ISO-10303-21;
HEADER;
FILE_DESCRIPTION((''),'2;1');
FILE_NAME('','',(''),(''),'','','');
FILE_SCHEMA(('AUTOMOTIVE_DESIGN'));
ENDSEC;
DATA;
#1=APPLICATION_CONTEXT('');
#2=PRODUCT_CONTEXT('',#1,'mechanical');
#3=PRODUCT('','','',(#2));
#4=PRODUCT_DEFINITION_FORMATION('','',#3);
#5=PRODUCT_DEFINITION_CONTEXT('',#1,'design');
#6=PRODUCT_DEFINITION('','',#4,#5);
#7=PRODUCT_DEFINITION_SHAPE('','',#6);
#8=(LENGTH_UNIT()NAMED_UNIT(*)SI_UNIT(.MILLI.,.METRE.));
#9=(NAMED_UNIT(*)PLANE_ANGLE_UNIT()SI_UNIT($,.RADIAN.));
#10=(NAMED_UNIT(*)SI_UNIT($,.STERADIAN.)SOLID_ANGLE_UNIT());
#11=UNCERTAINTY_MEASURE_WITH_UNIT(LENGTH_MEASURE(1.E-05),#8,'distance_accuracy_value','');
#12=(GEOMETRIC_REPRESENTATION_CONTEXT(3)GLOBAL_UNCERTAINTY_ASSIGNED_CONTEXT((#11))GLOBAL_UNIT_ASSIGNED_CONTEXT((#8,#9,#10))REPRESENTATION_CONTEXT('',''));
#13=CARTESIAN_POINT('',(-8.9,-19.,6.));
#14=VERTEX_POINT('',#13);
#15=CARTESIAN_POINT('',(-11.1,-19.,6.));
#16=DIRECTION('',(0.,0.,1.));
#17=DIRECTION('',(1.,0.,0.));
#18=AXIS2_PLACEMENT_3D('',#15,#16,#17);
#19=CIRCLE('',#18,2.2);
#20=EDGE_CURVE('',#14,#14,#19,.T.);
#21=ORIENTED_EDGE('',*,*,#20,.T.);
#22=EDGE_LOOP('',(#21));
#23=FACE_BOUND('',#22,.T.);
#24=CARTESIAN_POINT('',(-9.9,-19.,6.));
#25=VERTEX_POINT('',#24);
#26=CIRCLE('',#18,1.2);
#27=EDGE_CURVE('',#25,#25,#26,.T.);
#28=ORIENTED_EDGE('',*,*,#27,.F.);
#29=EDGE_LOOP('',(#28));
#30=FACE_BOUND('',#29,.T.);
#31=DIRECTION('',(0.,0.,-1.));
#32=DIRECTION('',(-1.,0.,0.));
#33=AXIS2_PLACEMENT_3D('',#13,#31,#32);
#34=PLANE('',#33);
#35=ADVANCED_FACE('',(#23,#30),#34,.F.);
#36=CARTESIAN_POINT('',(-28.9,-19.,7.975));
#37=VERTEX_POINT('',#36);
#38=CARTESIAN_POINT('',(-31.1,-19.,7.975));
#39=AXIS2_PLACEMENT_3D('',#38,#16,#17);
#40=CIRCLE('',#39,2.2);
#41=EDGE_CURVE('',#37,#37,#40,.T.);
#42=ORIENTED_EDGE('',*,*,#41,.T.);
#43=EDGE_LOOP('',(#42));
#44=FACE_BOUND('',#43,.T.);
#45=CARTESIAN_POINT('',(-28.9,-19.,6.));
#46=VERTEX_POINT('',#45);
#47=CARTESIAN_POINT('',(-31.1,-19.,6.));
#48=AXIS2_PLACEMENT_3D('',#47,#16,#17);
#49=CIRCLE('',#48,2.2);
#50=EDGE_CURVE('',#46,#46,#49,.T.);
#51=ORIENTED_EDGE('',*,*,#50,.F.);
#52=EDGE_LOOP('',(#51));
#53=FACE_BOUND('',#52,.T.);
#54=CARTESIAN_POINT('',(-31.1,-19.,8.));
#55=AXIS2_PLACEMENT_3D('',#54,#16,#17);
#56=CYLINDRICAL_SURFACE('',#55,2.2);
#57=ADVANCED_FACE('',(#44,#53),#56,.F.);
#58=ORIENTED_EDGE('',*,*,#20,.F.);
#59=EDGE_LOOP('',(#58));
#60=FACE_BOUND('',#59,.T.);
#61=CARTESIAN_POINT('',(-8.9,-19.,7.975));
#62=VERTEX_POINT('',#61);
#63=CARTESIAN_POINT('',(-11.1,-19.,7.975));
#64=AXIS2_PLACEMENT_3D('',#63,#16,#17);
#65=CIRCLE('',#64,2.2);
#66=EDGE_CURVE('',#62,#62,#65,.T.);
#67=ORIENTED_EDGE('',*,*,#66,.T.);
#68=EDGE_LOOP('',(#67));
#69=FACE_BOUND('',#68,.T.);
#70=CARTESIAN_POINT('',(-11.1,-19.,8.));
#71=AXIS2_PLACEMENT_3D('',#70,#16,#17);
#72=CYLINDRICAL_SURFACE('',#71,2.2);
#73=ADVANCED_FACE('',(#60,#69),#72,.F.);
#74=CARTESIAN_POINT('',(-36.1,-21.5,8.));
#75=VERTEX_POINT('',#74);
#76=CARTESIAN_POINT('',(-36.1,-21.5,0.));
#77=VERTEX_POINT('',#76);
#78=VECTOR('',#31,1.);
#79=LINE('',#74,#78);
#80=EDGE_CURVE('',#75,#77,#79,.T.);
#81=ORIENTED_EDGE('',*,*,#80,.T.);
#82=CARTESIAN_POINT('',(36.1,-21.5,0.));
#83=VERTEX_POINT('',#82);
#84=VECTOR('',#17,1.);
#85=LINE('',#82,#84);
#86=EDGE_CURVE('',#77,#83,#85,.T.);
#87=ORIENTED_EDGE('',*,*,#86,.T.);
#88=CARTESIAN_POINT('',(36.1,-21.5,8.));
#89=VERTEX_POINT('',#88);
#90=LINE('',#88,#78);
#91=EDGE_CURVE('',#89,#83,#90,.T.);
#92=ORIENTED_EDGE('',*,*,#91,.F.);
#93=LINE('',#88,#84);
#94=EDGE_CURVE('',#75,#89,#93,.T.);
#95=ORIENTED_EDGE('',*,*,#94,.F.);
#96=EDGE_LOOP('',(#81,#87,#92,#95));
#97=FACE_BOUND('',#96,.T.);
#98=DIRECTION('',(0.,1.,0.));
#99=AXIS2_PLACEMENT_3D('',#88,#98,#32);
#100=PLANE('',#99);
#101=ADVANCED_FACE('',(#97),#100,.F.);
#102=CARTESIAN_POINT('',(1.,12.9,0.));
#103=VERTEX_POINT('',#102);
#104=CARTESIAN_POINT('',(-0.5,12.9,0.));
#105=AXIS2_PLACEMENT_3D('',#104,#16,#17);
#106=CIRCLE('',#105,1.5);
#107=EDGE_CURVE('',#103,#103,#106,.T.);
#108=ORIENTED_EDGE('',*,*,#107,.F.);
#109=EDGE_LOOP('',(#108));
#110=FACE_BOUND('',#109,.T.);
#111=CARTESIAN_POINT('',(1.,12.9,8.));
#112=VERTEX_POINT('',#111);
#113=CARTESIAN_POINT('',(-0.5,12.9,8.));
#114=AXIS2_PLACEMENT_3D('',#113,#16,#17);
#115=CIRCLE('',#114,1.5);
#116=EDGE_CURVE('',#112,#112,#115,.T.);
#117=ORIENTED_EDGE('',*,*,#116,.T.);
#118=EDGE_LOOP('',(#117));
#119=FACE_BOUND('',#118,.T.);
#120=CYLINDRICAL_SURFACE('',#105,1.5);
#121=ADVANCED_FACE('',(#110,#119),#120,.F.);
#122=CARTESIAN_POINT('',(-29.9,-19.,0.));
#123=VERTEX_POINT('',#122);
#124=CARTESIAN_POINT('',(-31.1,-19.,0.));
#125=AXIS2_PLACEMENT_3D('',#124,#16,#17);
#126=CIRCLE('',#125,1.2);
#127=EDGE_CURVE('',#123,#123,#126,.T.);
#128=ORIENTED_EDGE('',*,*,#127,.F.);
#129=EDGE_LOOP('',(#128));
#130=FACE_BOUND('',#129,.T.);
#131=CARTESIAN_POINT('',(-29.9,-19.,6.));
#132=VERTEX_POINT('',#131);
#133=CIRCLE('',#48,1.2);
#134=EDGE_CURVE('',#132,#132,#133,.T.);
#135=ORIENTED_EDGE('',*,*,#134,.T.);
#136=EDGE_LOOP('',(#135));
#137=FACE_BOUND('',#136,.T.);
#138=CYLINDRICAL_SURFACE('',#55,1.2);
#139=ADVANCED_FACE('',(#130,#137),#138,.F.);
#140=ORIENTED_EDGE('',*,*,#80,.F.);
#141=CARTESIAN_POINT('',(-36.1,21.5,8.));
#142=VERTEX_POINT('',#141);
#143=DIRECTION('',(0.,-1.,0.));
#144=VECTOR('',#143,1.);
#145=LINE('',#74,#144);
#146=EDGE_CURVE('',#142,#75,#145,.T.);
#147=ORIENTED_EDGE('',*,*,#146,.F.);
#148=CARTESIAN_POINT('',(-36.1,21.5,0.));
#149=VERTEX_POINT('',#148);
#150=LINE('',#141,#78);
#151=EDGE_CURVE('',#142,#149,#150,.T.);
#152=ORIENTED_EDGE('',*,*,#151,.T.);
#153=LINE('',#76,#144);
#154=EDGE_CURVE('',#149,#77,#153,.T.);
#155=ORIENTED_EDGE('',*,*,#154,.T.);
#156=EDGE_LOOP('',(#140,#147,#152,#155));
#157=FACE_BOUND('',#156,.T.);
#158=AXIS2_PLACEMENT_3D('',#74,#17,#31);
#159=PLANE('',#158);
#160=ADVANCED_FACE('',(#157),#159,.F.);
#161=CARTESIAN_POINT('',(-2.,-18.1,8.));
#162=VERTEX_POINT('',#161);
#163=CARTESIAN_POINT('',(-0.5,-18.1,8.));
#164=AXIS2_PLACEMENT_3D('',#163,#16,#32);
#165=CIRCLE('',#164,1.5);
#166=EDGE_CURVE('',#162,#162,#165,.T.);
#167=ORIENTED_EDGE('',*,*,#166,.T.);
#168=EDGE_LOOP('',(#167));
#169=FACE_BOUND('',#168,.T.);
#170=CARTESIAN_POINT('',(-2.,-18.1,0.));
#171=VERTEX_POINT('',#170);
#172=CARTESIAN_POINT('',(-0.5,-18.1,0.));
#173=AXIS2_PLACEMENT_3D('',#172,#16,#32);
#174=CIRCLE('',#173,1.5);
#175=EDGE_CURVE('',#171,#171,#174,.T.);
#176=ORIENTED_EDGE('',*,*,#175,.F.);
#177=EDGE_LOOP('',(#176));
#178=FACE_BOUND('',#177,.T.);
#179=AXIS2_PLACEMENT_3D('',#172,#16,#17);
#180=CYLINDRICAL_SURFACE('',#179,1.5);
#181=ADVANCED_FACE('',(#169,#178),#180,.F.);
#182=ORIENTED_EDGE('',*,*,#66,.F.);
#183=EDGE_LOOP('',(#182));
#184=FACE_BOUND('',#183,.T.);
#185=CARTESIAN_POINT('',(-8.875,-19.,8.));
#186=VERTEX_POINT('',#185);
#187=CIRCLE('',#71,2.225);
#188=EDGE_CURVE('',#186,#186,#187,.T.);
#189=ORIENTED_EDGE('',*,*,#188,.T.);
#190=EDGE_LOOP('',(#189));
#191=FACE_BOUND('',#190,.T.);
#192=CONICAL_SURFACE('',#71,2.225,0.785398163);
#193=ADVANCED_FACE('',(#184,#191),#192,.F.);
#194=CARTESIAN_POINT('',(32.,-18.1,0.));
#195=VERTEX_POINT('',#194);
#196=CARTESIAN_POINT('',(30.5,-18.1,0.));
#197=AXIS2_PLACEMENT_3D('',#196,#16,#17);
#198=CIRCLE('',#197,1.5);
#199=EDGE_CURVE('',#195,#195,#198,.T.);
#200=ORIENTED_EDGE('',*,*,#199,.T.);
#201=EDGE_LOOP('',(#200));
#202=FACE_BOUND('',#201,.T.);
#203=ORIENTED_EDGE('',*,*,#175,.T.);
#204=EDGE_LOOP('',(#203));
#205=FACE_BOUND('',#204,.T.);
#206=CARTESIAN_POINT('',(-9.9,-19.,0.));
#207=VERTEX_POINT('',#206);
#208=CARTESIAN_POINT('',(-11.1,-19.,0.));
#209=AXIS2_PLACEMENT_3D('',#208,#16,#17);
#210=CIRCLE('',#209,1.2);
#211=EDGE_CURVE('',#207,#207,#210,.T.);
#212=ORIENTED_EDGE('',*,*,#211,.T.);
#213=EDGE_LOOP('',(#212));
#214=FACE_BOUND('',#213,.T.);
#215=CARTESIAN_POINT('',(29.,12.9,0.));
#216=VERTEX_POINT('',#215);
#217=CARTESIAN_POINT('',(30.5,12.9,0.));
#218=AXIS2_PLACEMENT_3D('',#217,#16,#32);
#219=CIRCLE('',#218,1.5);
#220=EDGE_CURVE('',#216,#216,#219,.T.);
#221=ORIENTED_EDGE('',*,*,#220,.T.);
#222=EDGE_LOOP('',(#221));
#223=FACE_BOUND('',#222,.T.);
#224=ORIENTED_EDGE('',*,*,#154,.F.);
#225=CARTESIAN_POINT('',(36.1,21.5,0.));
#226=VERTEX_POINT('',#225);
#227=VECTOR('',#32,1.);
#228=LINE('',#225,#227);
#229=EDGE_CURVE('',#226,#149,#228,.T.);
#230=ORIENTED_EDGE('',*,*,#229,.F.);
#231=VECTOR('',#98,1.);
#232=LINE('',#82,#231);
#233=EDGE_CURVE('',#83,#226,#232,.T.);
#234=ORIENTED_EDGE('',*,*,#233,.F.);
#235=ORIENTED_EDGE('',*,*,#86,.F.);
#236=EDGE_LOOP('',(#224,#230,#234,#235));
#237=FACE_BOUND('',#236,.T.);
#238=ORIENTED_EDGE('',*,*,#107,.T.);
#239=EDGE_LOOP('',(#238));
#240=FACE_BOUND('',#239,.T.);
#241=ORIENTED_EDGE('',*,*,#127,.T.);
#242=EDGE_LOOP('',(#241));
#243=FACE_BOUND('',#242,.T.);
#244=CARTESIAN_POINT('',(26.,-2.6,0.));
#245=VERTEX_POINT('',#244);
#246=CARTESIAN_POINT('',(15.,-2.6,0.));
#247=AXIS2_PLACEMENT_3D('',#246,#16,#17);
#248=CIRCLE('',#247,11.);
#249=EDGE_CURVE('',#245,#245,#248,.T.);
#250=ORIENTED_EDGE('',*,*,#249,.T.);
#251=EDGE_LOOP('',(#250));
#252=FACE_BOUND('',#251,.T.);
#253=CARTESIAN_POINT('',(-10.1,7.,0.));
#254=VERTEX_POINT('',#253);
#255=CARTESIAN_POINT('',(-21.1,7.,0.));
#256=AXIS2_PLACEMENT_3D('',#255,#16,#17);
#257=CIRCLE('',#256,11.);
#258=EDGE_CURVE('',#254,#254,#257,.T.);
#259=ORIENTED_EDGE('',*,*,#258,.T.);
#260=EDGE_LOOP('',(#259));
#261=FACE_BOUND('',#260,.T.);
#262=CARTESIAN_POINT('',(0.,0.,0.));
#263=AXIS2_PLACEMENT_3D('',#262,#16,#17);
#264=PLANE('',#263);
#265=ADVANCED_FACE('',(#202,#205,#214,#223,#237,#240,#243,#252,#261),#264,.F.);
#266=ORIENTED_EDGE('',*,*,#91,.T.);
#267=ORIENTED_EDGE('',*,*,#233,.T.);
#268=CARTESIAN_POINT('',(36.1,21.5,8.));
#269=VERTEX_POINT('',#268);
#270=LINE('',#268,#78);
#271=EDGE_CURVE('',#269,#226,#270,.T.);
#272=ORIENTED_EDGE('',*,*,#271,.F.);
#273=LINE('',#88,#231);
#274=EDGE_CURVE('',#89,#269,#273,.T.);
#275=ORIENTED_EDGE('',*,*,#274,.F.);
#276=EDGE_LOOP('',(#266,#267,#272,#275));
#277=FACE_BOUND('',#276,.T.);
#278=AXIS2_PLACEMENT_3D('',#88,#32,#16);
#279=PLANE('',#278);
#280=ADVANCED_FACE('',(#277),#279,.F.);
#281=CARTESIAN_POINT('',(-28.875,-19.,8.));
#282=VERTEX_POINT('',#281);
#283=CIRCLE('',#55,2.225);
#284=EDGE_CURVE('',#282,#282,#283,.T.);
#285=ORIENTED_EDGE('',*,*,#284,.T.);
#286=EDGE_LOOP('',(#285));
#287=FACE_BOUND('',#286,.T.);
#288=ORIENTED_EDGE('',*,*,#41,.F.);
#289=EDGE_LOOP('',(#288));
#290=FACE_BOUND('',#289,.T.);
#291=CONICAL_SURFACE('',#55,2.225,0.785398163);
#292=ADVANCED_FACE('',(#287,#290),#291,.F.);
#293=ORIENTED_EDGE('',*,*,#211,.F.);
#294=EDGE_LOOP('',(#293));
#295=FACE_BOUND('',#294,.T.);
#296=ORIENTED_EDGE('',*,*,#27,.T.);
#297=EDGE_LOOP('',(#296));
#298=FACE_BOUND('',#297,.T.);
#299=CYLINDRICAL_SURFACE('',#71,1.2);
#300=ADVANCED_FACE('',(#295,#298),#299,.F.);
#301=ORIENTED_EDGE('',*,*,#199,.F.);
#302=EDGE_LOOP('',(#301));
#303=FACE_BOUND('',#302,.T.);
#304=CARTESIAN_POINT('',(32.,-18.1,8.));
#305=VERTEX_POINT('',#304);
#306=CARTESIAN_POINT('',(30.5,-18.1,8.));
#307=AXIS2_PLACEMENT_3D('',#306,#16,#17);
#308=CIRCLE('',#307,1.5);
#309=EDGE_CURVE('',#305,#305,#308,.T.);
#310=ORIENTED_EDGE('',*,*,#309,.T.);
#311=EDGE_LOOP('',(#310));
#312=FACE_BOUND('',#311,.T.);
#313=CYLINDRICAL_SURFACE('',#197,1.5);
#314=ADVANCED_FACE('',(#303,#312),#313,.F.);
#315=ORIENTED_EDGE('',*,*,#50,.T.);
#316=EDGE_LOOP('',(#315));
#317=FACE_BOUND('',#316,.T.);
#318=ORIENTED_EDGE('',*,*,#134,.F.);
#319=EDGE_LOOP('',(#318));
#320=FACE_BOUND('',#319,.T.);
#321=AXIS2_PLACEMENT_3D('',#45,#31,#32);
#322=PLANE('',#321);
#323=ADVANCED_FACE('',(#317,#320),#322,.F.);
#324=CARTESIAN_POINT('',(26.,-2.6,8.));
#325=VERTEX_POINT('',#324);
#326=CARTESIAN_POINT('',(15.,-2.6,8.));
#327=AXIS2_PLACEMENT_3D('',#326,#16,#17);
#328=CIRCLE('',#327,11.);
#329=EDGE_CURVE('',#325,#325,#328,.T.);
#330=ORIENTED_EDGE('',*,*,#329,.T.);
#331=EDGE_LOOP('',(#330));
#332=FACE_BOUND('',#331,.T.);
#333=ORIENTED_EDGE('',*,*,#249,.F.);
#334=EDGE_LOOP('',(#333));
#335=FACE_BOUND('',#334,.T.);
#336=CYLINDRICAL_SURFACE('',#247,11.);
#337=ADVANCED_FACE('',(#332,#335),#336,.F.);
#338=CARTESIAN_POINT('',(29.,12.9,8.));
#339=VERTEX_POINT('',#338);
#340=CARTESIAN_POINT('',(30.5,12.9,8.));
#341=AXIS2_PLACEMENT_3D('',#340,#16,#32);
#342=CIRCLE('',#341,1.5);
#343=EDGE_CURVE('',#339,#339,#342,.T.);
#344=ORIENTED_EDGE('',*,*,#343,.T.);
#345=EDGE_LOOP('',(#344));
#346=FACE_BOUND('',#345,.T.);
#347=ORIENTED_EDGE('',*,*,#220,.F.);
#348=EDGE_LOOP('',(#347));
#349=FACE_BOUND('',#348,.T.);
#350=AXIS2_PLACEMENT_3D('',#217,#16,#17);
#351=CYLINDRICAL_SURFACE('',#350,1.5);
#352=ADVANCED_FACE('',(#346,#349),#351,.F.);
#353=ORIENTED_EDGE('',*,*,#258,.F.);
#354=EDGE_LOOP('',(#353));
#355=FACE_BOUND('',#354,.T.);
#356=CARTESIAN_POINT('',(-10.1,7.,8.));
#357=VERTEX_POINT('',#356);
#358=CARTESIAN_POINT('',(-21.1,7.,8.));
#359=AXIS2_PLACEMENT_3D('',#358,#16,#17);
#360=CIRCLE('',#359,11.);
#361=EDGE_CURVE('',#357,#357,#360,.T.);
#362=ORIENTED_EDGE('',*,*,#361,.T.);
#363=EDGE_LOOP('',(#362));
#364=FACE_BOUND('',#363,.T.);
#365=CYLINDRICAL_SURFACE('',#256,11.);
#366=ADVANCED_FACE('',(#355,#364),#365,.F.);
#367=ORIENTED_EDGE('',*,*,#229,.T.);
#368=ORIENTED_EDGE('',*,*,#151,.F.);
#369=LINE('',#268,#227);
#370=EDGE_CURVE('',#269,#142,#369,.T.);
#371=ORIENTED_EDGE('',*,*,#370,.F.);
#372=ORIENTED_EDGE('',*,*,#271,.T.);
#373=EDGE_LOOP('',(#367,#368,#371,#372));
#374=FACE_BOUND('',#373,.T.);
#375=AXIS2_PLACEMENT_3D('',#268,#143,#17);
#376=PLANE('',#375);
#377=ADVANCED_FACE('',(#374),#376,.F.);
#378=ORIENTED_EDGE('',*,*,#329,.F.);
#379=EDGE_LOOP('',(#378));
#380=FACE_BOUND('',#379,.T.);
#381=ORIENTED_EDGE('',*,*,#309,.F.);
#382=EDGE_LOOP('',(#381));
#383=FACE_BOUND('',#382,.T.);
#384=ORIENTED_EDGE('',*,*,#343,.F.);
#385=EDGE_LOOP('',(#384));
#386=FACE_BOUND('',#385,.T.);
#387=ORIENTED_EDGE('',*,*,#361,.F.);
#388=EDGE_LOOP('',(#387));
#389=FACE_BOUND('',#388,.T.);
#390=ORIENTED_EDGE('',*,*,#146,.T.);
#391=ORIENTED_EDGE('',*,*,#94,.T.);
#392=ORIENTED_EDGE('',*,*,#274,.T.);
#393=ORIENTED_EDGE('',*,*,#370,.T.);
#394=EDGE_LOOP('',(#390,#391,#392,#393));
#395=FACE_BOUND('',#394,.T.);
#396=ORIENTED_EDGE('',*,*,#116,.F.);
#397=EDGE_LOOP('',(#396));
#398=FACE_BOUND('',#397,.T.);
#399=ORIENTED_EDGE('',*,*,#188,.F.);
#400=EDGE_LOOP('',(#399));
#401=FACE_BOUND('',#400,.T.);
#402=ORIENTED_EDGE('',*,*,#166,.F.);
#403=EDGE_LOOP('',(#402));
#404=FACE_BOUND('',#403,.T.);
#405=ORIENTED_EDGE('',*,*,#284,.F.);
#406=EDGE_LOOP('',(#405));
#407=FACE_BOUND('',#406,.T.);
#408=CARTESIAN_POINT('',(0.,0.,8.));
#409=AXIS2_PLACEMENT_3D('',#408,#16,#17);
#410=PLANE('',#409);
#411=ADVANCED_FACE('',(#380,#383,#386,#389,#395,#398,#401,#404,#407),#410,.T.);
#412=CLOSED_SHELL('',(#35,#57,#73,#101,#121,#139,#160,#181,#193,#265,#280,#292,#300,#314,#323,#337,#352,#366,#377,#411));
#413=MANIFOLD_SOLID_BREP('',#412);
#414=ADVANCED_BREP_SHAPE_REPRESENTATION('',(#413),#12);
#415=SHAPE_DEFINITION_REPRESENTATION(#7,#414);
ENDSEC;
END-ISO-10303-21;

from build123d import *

# Parameters (mm, degrees)
ESBO_O1_W                        = 72.2
ESBO_O1_H                        = 43
RESSALTO_EXTRUS_O1_DEPTH         = 8
ESBO_O2_R                        = 11
ESBO_O2_R_2                      = 1.5
CORTE_EXTRUS_O1_DEPTH            = 9
REBAIXO_PARA_SHCS_M21_AT_2_COUNT = 2
REBAIXO_PARA_SHCS_M21_AT_2_PITCH = 20


with BuildPart() as part:
    # Esboço1 → Ressalto-extrusão1 (new body)
    with BuildSketch(Plane.XY):
        Rectangle(ESBO_O1_W, ESBO_O1_H)
    extrude(amount=RESSALTO_EXTRUS_O1_DEPTH)

    # Esboço2 → Corte-extrusão1 (cut, through all)
    with BuildSketch(Plane.XY.offset(8)):
        with Locations((-21.1, 7)):
            Circle(ESBO_O2_R)
        with Locations((15, -2.6)):
            Circle(ESBO_O2_R)
        with Locations((-0.5, 12.9)):
            Circle(ESBO_O2_R_2)
        with Locations((30.5, 12.9)):
            Circle(ESBO_O2_R_2)
        with Locations((30.5, -18.1)):
            Circle(ESBO_O2_R_2)
        with Locations((-0.5, -18.1)):
            Circle(ESBO_O2_R_2)
    extrude(amount=-CORTE_EXTRUS_O1_DEPTH, mode=Mode.SUBTRACT)

    # Esboço6 → Rebaixo para SHCS M21 (revolve, cut)
    with BuildSketch(Plane(origin=(-31.1, -19, 8), x_dir=(0, -1, 0), z_dir=(1, 0, 0))):
        Polygon((0, 0), (0, 8), (1.2, 8), (1.2, 2), (2.2, 2), (2.2, 0.025), (2.225, 0), align=None)
    rebaixo_para_shcs_m21 = revolve(axis=Axis((-31.1, -19, 14.35), (0, 0, -1)), mode=Mode.SUBTRACT)

    # Rebaixo para SHCS M21 at 2: Rebaixo para SHCS M21 ×2
    with Locations(*[(i * REBAIXO_PARA_SHCS_M21_AT_2_PITCH, 0, 0) for i in range(1, REBAIXO_PARA_SHCS_M21_AT_2_COUNT)]):
        add(rebaixo_para_shcs_m21, mode=Mode.SUBTRACT)


solid = part.part
